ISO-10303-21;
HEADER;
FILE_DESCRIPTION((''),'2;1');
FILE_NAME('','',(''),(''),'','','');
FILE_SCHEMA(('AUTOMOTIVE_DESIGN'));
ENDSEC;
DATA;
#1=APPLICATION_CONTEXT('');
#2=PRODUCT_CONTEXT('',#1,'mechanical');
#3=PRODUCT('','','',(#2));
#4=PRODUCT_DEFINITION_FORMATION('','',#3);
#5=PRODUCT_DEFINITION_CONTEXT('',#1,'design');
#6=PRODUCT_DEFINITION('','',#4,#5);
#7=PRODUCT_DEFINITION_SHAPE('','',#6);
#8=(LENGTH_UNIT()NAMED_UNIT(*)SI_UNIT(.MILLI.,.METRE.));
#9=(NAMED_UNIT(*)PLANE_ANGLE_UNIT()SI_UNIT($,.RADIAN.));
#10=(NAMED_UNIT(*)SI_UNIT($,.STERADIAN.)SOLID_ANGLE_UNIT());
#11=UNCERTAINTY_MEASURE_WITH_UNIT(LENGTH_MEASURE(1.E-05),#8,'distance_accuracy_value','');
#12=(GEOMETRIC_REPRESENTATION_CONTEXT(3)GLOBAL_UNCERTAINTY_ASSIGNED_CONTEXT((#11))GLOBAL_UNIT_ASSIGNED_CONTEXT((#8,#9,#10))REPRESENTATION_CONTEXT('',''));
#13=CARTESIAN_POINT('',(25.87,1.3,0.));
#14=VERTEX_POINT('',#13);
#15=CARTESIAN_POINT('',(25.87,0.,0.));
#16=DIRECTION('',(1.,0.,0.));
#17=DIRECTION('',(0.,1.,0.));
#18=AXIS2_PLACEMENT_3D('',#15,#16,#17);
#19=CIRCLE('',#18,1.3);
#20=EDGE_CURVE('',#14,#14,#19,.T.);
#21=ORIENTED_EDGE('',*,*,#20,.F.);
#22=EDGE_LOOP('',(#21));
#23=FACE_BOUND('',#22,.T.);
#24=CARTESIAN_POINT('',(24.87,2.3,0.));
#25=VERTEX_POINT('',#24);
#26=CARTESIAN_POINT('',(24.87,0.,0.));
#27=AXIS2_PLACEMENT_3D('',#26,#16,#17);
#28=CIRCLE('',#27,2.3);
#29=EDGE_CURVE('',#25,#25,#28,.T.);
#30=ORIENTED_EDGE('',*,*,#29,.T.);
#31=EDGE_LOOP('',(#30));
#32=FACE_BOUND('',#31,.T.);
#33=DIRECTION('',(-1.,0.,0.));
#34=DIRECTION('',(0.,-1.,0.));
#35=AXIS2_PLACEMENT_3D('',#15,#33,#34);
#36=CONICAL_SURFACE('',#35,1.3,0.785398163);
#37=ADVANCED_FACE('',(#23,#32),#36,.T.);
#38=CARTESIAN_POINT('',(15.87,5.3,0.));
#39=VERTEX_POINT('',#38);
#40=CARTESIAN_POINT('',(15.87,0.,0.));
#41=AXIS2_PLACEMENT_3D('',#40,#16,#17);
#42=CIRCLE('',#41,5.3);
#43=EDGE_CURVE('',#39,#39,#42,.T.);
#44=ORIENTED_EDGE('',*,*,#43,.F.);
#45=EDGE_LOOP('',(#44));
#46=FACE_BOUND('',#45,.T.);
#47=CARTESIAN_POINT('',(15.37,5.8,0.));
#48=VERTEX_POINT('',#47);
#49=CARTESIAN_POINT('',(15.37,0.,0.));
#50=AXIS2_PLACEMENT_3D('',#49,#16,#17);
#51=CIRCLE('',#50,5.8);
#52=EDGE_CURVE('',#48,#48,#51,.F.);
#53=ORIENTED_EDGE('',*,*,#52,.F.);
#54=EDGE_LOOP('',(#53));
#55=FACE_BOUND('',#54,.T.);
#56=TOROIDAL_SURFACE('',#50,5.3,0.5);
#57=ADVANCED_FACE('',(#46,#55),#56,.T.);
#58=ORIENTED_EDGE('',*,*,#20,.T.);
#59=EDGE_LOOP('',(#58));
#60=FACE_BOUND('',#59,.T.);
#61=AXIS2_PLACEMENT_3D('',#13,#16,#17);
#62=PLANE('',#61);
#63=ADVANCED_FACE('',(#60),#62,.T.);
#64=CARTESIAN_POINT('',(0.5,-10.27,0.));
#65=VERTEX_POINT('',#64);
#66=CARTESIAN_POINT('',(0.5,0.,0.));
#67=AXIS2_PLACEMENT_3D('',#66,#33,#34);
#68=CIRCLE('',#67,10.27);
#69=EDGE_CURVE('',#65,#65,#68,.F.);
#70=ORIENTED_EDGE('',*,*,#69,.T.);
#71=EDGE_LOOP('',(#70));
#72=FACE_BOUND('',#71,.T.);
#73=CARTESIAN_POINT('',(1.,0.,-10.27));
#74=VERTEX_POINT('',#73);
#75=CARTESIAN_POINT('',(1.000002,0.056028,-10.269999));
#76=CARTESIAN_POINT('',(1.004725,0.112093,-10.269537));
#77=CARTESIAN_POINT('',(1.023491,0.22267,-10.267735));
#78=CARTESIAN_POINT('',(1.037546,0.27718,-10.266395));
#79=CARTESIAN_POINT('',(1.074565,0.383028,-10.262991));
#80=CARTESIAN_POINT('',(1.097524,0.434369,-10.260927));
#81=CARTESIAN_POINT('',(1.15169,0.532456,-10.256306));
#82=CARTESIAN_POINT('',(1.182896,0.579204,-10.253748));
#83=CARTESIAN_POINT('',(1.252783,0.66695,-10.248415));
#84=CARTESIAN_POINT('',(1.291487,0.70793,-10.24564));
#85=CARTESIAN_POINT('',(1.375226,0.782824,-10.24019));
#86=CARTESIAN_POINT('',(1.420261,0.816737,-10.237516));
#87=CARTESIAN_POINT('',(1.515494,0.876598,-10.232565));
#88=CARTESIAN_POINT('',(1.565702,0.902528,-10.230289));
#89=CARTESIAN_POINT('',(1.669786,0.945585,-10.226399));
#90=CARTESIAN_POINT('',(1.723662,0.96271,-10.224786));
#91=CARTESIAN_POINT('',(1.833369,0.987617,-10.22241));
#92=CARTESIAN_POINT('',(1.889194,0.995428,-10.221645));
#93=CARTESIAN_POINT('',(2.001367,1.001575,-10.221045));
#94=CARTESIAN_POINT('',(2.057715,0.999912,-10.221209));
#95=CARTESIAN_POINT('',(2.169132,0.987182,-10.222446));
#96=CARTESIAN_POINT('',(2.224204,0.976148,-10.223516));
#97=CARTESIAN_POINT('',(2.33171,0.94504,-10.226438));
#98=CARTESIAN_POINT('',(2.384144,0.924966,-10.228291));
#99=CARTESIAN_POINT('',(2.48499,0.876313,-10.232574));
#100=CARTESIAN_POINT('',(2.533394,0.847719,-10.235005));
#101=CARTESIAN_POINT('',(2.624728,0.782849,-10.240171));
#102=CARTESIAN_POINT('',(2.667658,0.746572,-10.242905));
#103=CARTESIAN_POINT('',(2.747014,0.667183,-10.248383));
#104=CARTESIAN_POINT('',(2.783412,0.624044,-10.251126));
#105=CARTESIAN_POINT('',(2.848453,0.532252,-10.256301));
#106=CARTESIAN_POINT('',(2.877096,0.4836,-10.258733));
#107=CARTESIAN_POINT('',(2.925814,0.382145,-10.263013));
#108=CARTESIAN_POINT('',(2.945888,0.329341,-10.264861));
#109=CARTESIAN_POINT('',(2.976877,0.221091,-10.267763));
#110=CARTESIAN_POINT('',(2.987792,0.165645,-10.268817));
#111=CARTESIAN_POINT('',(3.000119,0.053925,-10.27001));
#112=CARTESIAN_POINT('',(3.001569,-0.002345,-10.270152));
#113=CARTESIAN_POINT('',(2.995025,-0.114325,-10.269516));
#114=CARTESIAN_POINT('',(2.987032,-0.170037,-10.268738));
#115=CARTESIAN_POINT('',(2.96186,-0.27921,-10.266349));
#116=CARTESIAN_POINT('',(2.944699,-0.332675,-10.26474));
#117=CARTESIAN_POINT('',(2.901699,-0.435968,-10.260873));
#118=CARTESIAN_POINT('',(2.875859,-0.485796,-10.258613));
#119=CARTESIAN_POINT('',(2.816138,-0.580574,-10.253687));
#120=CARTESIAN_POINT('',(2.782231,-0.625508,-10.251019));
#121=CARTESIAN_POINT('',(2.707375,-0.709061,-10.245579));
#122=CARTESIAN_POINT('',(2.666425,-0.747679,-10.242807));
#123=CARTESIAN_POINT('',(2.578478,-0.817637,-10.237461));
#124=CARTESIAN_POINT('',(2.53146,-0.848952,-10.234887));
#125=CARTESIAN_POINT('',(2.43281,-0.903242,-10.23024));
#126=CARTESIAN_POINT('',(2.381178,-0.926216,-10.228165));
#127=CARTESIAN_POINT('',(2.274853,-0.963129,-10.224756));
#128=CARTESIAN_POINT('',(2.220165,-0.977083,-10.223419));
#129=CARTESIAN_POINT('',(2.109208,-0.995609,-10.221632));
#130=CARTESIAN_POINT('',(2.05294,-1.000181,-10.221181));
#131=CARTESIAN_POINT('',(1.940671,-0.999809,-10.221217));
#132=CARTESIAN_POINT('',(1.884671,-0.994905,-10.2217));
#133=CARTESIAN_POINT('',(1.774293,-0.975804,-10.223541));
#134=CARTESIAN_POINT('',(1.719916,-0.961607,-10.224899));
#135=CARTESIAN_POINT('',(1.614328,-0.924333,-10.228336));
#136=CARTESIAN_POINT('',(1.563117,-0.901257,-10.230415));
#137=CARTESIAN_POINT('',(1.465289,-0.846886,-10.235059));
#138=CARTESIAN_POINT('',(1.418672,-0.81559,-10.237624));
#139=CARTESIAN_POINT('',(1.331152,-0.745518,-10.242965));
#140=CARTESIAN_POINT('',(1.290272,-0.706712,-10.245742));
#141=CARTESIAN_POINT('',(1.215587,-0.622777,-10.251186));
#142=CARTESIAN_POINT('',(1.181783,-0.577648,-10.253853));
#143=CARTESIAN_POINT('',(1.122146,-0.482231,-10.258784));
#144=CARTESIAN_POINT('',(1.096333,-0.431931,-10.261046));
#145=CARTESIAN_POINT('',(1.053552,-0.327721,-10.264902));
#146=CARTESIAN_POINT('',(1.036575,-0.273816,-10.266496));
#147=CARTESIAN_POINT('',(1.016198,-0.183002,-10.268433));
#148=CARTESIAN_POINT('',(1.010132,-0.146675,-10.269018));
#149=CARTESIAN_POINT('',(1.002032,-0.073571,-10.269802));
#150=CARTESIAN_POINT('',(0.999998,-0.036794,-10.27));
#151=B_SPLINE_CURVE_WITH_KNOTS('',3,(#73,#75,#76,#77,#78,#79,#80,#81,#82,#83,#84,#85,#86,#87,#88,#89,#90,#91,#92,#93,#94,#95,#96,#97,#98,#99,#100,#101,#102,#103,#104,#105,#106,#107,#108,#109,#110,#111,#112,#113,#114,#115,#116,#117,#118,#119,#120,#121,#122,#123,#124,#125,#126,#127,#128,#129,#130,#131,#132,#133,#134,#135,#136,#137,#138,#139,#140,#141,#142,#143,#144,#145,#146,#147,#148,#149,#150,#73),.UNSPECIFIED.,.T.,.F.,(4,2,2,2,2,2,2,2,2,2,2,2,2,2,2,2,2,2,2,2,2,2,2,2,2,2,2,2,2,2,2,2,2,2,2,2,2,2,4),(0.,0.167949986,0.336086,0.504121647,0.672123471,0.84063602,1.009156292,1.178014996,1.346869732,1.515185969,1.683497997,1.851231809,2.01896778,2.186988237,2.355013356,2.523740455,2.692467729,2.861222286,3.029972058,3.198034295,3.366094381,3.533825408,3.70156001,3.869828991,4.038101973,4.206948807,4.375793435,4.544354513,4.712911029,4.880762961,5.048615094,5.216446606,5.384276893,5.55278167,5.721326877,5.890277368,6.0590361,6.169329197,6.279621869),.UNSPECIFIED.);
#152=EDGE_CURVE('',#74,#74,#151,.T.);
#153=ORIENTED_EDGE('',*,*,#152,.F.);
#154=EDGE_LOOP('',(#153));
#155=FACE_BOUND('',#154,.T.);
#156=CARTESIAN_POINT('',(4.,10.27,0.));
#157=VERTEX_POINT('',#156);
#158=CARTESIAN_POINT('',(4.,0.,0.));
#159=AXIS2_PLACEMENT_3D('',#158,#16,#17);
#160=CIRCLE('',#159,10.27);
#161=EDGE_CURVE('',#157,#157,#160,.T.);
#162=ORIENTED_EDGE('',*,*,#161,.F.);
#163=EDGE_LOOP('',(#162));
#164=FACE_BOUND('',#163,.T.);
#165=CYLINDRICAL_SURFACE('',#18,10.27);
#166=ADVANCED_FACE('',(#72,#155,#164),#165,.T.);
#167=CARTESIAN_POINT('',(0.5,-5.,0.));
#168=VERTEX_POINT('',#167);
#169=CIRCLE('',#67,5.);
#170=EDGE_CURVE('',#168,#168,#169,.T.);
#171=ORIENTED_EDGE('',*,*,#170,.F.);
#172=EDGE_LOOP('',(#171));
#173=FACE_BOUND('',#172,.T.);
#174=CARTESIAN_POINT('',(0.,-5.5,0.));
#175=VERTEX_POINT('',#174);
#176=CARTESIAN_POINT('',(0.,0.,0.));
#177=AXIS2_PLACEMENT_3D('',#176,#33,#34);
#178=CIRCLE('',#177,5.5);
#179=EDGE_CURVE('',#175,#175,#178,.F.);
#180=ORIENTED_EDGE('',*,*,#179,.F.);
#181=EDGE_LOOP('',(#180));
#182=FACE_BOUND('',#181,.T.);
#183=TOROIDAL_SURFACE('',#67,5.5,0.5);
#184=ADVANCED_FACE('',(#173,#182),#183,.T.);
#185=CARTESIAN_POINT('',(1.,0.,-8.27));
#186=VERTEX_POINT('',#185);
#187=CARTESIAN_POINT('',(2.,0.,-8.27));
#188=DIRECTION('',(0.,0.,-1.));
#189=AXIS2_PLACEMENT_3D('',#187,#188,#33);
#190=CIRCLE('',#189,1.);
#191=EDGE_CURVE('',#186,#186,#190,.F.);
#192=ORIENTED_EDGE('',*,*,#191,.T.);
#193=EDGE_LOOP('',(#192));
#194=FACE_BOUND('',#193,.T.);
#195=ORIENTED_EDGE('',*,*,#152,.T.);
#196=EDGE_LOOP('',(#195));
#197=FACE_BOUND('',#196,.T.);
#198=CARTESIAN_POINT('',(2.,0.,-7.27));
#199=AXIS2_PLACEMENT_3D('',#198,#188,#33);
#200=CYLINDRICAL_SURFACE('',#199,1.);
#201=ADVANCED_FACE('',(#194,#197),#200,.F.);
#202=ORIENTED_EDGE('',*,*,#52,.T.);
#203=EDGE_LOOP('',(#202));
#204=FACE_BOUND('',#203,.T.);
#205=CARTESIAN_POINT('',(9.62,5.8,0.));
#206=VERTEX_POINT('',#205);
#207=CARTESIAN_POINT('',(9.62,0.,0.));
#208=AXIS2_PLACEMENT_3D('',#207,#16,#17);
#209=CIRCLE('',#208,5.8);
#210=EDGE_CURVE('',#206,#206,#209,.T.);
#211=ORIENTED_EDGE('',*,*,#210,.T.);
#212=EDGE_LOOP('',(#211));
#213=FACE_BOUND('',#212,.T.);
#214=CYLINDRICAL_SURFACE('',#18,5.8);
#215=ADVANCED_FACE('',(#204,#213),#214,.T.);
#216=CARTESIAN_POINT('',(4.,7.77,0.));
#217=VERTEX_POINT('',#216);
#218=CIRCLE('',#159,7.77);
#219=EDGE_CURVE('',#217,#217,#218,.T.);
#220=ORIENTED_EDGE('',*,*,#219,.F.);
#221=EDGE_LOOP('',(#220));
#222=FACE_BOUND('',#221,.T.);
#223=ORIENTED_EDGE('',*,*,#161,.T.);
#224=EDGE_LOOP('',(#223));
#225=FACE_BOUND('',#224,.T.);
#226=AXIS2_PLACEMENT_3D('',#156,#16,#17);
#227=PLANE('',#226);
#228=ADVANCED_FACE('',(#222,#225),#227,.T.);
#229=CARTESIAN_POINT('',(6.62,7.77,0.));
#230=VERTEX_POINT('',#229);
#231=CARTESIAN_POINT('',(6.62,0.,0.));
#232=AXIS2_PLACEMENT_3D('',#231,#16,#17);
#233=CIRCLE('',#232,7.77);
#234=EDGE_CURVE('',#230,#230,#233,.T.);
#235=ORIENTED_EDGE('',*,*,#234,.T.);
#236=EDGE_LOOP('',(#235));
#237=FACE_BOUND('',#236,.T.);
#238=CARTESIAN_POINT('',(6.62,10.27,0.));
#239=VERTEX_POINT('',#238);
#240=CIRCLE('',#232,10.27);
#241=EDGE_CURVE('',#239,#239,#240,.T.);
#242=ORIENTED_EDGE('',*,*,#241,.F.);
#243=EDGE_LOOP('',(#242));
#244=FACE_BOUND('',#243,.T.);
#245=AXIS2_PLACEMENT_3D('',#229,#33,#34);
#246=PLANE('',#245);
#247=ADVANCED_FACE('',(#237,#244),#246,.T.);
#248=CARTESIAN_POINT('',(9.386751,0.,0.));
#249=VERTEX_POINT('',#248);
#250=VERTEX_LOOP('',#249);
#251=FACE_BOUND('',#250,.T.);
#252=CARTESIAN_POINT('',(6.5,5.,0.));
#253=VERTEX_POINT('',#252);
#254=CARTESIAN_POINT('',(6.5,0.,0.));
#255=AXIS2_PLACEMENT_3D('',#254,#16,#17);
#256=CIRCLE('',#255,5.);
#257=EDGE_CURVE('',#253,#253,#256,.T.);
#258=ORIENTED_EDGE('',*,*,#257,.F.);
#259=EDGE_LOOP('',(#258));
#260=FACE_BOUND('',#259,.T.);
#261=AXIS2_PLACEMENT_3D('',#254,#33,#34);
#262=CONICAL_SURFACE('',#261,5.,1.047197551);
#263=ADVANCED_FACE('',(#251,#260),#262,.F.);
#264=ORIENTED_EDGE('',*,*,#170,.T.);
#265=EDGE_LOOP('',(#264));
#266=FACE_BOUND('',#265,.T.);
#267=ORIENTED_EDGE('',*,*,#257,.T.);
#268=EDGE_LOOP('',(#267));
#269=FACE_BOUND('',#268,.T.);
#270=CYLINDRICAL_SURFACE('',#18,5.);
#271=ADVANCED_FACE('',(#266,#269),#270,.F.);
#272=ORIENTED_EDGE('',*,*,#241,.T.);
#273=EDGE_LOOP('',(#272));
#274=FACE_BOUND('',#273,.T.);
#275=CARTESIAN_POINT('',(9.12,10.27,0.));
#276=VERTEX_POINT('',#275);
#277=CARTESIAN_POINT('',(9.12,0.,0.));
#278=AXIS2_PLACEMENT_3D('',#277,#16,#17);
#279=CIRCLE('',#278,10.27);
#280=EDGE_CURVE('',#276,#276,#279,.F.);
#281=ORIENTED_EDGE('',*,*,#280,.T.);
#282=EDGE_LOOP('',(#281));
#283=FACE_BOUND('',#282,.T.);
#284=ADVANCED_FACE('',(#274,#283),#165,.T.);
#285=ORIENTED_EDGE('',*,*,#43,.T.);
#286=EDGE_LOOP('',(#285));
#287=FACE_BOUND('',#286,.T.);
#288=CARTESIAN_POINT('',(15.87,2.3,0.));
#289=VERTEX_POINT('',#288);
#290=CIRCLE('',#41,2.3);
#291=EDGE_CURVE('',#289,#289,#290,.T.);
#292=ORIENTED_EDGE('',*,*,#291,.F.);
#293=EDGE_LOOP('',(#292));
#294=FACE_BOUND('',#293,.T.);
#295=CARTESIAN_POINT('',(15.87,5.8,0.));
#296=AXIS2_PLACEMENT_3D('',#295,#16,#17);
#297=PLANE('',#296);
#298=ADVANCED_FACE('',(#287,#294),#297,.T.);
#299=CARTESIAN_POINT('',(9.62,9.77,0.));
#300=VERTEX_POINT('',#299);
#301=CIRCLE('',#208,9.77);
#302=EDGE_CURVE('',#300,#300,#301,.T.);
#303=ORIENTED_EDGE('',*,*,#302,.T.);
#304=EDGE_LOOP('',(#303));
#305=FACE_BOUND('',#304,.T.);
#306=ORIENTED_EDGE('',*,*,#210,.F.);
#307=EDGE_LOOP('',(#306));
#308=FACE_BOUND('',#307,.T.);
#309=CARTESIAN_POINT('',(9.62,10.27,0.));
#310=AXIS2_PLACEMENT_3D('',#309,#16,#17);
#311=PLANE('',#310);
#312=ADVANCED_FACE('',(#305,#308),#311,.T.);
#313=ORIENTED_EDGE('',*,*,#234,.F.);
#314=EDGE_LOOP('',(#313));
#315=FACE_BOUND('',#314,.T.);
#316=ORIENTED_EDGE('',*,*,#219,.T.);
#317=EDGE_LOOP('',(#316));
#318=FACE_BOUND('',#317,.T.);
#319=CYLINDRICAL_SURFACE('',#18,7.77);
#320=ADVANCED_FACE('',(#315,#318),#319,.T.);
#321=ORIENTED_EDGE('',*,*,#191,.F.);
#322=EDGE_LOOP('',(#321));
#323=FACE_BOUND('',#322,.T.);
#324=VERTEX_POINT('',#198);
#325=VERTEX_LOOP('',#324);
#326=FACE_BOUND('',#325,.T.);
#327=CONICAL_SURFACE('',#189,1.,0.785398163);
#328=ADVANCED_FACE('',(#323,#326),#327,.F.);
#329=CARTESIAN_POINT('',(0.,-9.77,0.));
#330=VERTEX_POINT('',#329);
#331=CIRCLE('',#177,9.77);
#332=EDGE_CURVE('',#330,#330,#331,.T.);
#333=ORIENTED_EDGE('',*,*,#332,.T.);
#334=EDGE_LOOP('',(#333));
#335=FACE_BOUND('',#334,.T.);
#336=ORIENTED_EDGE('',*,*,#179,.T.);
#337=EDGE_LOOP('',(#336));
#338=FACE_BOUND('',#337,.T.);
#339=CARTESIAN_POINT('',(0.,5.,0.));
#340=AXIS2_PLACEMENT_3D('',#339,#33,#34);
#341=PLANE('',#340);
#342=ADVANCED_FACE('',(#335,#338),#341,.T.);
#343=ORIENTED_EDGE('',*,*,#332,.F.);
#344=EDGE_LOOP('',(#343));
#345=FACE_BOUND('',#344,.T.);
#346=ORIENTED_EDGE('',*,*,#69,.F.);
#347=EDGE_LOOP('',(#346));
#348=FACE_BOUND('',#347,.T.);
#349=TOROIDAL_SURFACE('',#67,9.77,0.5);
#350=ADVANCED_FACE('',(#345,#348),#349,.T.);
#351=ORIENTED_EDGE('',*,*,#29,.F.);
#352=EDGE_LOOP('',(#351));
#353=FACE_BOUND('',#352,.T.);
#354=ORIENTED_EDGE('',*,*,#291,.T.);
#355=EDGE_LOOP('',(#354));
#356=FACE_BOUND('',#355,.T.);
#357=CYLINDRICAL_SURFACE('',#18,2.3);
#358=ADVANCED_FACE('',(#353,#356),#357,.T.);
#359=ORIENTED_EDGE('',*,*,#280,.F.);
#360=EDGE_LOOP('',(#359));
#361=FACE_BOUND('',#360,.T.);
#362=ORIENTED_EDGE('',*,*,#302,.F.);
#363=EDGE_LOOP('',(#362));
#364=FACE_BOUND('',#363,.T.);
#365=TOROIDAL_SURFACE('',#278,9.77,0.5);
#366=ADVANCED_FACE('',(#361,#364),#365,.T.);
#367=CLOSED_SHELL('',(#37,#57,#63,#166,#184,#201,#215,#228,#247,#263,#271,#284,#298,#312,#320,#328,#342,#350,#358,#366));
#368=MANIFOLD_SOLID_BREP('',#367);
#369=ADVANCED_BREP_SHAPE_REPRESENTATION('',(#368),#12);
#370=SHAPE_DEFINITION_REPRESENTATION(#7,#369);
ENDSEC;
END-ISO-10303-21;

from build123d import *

# Parameters (mm, degrees)
FILETE2_R             = 0.5
FILETE3_R             = 0.5
FILETE4_R             = 0.5
FILETE5_R             = 0.5
ESBO_O5_R             = 1
CORTE_EXTRUS_O1_DEPTH = 3
CHANFRO1_SIZE         = 1


with BuildPart() as part:
    # Esboço1 → Revolução1 (revolve)
    with BuildSketch(Plane.XY):
        Polygon((0, 5), (0, 10.27), (4, 10.27), (4, 7.77), (6.62, 7.77), (6.62, 10.27), (9.62, 10.27), (9.62, 5.8), (15.87, 5.8), (15.87, 2.3), (24.87, 2.3), (25.87, 1.3), (25.87, 0), (9.386751346, 0), (6.5, 5), align=None)
    revolve(axis=Axis((25.87, 0, 0), (-1, 0, 0)))

    # Filete2
    filete2_edges = [part.edges().sort_by_distance(p)[0] for p in [
        (0, -5, 0),
    ]]
    fillet(filete2_edges, radius=FILETE2_R)

    # Filete3
    filete3_edges = [part.edges().sort_by_distance(p)[0] for p in [
        (0, -10.27, 0),
    ]]
    fillet(filete3_edges, radius=FILETE3_R)

    # Filete4
    filete4_edges = [part.edges().sort_by_distance(p)[0] for p in [
        (9.62, -10.27, 0),
    ]]
    fillet(filete4_edges, radius=FILETE4_R)

    # Filete5
    filete5_edges = [part.edges().sort_by_distance(p)[0] for p in [
        (15.87, -5.8, 0),
    ]]
    fillet(filete5_edges, radius=FILETE5_R)

    # Esboço5 → Corte-extrusão1 (cut)
    with BuildSketch(Plane(origin=(0, 0, -10.27), x_dir=(-1, 0, 0), z_dir=(0, 0, -1))):
        with Locations((-2, 0)):
            Circle(ESBO_O5_R)
    extrude(amount=-CORTE_EXTRUS_O1_DEPTH, mode=Mode.SUBTRACT)

    # Chanfro1
    chanfro1_edges = [part.edges().sort_by_distance(p)[0] for p in [
        (3, 0, -7.27),
    ]]
    chamfer(chanfro1_edges, length=CHANFRO1_SIZE)


solid = part.part
